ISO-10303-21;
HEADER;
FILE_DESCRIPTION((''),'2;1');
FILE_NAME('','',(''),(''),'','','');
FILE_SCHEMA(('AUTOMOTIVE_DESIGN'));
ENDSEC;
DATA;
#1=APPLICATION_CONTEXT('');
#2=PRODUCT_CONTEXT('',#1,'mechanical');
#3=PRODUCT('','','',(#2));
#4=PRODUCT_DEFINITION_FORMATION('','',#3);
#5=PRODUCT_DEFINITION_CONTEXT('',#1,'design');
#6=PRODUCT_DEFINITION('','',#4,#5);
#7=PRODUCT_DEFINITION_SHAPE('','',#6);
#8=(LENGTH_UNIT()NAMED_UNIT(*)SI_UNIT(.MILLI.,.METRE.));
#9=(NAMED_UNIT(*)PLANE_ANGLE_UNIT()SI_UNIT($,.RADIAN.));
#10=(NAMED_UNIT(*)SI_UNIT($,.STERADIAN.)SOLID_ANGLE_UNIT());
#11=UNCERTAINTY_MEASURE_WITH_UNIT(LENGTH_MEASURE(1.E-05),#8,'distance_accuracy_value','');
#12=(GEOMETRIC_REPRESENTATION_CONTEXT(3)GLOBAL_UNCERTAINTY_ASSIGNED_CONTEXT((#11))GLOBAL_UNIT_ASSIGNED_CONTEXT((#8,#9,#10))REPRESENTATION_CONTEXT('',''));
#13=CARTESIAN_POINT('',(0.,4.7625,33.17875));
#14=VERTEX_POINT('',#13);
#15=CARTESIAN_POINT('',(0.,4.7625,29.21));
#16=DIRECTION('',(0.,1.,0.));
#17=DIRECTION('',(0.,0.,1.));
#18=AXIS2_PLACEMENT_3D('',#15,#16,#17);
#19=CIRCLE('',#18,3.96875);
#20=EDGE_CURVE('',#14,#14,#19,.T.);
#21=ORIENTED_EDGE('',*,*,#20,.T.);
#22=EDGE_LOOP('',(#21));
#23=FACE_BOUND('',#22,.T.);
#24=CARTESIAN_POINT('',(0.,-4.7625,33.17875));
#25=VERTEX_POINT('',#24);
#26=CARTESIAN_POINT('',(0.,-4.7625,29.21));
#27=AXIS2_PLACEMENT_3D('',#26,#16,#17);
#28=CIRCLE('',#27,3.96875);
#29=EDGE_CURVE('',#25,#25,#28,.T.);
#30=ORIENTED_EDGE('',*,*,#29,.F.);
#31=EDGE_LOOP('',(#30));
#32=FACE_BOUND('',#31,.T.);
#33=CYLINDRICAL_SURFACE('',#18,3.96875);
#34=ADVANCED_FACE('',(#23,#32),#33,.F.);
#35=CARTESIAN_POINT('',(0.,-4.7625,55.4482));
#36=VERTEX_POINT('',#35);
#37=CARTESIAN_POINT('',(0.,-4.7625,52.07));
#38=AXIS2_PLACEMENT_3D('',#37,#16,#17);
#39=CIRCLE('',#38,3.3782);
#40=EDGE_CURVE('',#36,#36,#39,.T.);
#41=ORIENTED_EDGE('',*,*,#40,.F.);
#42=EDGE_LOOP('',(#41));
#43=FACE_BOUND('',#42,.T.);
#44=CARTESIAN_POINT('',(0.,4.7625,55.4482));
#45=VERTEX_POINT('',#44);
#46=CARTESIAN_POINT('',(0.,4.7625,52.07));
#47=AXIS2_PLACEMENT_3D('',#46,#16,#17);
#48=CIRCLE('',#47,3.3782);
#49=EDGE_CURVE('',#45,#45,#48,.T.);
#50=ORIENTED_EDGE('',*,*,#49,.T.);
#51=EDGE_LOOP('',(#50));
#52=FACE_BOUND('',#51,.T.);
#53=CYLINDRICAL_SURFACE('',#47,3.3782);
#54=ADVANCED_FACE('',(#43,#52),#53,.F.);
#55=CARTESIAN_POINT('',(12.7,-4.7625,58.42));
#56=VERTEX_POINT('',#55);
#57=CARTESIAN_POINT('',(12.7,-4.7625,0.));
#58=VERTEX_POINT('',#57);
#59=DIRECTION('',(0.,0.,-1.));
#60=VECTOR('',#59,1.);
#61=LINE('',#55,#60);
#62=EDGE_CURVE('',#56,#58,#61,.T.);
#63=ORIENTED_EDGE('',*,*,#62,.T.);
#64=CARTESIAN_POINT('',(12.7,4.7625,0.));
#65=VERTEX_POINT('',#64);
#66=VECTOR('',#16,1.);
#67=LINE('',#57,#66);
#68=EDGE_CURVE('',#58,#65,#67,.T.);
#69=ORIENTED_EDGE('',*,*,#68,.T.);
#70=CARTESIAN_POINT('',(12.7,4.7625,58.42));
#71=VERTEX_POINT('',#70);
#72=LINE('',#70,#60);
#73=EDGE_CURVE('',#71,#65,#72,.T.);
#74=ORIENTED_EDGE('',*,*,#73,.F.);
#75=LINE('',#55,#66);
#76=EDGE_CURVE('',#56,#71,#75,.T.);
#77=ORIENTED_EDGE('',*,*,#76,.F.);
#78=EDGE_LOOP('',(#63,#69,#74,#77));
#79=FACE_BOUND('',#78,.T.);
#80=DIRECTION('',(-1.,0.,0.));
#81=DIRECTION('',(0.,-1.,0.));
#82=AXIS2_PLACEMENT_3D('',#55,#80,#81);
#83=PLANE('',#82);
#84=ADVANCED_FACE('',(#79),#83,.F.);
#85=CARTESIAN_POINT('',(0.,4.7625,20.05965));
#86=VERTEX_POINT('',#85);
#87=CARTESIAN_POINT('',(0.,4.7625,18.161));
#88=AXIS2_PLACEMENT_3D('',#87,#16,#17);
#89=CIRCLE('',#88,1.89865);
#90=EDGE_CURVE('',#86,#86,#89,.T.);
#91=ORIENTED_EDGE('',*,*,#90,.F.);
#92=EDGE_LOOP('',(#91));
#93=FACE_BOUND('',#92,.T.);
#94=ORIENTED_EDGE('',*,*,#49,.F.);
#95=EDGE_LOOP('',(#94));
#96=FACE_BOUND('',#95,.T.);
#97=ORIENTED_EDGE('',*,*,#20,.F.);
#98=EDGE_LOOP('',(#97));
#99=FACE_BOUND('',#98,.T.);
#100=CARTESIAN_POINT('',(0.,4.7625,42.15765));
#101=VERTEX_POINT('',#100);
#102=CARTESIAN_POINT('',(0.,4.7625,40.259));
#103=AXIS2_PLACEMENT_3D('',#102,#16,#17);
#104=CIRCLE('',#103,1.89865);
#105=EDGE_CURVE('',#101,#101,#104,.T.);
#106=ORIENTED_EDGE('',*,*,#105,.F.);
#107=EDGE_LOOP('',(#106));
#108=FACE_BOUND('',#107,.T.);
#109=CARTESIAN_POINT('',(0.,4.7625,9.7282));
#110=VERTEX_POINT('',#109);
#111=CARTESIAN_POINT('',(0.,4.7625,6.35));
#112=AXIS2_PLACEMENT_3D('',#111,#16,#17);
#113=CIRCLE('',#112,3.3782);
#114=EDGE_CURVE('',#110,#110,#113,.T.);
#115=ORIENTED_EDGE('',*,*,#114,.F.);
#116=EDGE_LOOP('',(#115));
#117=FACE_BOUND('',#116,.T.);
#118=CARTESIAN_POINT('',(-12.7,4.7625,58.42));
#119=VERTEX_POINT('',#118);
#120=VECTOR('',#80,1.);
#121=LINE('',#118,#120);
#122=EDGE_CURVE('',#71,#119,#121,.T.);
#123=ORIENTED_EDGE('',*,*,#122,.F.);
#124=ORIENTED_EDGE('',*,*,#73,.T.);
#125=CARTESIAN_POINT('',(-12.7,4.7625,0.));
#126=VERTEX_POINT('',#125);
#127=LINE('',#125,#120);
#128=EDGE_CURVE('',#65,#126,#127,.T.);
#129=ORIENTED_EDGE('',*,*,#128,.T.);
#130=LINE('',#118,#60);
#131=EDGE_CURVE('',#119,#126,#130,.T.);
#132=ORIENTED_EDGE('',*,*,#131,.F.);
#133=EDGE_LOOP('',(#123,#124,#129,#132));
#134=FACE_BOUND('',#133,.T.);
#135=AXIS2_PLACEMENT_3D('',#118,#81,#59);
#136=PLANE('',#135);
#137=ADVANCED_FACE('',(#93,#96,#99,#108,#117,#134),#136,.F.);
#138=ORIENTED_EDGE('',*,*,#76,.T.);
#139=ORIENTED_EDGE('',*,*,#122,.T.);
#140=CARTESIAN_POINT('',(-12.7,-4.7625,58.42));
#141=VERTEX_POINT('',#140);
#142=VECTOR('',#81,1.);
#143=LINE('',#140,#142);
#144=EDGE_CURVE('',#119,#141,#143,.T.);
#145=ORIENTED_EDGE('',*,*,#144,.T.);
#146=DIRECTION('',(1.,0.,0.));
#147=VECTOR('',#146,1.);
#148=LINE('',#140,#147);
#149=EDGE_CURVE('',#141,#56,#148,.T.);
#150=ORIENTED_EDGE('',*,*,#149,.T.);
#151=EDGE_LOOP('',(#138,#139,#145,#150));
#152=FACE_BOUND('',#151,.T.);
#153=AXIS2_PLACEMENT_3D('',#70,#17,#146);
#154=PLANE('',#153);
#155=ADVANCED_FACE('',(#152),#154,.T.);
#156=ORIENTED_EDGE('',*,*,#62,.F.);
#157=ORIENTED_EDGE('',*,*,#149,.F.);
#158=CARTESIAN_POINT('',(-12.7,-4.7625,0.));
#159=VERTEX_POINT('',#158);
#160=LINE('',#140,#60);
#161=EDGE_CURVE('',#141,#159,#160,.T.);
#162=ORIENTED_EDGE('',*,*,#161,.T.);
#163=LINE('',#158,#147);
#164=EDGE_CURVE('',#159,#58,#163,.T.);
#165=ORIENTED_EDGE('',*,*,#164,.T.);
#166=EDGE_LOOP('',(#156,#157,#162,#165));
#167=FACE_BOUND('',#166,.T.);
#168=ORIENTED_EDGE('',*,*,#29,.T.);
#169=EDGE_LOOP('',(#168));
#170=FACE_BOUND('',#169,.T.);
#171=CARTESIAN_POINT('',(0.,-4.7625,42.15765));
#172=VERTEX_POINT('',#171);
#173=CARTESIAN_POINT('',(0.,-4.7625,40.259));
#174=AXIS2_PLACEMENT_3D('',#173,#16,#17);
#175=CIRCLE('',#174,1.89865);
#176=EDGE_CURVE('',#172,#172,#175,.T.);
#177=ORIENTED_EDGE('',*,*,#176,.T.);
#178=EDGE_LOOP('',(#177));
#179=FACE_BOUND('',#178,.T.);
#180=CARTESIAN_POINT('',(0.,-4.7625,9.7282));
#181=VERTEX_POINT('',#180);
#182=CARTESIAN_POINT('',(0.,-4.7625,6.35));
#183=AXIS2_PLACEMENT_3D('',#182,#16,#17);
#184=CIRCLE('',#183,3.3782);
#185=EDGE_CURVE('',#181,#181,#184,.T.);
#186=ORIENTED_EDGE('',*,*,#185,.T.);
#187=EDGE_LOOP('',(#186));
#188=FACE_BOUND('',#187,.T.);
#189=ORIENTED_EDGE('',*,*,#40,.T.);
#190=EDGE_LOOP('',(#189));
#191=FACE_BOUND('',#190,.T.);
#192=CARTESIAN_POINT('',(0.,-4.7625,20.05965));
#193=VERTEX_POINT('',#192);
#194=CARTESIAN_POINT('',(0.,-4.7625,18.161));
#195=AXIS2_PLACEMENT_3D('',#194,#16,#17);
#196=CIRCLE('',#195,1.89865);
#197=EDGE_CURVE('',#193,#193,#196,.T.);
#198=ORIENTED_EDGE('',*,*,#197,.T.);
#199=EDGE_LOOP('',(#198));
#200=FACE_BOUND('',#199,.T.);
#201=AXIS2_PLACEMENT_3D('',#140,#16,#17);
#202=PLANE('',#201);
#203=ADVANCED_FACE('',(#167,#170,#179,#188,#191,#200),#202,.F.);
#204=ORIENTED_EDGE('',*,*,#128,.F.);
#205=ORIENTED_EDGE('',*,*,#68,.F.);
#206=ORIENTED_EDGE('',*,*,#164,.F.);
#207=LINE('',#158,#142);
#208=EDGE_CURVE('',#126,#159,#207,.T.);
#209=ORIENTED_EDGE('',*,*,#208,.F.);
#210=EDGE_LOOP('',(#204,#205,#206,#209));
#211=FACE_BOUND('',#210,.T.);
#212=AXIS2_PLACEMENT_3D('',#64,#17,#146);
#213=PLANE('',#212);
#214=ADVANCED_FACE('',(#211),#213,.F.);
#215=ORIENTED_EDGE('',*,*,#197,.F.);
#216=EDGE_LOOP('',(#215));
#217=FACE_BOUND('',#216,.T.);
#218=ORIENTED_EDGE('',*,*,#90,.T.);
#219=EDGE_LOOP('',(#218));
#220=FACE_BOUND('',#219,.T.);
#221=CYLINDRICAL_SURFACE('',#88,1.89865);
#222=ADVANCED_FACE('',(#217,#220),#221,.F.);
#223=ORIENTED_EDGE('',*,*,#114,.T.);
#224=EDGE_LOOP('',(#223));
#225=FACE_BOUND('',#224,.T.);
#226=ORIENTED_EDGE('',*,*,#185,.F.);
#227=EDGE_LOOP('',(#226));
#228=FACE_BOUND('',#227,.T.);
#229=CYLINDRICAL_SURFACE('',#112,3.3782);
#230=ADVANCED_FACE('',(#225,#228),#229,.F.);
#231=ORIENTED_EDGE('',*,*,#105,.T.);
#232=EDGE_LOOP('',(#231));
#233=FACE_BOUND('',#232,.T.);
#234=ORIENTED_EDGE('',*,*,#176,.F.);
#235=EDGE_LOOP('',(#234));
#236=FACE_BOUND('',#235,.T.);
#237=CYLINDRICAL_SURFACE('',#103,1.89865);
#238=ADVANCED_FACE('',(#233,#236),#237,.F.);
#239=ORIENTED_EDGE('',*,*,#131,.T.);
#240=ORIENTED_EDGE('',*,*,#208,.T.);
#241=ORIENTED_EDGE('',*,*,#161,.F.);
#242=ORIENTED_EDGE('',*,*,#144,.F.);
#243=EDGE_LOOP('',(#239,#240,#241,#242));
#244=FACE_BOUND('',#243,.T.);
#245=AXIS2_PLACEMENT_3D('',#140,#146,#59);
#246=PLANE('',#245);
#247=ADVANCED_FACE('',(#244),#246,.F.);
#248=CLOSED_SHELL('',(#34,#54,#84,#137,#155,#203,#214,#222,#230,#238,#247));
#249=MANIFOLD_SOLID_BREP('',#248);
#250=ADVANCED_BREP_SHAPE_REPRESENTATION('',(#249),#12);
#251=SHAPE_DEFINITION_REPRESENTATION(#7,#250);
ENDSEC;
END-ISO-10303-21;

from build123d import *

# Parameters (mm, degrees)
SKETCH1_W                   = 25.4
SKETCH1_H                   = 9.525
EXTRUDE1_DEPTH              = 58.42
F_1_4_CLEARANCE_HOLE1_D     = 6.7564
F_1_4_CLEARANCE_HOLE1_DEPTH = 12.7
F_1_4_CLEARANCE_HOLE1_TIP   = 2.029827343
F_3_8_16_TAPPED_HOLE1_D     = 7.9375
F_10_24_TAPPED_HOLE1_D      = 3.7973
CIRPATTERN1_COUNT           = 2


with BuildPart() as part:
    # Sketch1 → Extrude1 (new body)
    with BuildSketch(Plane.XY):
        Rectangle(SKETCH1_W, SKETCH1_H)
    extrude(amount=EXTRUDE1_DEPTH)

    # 1/4 Clearance Hole1
    with Locations(Plane(origin=(0, 4.7625, 6.35), x_dir=(0, 0, 1), z_dir=(0, 1, 0))):
        with Locations((0, 0), (45.72, 0)):
            Hole(F_1_4_CLEARANCE_HOLE1_D / 2, depth=F_1_4_CLEARANCE_HOLE1_DEPTH)
            with Locations((0, 0, -(F_1_4_CLEARANCE_HOLE1_DEPTH + F_1_4_CLEARANCE_HOLE1_TIP / 2))):  # 118° drill point
                Cone(0, F_1_4_CLEARANCE_HOLE1_D / 2, F_1_4_CLEARANCE_HOLE1_TIP, mode=Mode.SUBTRACT)

    # 3/8-16 Tapped Hole1 (through all)
    with Locations(Plane(origin=(0, 4.7625, 29.21), x_dir=(0, 0, 1), z_dir=(0, 1, 0))):
        with Locations((0, 0)):
            Hole(F_3_8_16_TAPPED_HOLE1_D / 2)

    # #10-24 Tapped Hole1 (through all)
    with Locations(Plane(origin=(0, 4.7625, 40.259), x_dir=(0, 0, 1), z_dir=(0, 1, 0))):
        with Locations((0, 0)):
            f_10_24_tapped_hole1 = Hole(F_10_24_TAPPED_HOLE1_D / 2)

    # CirPattern1: #10-24 Tapped Hole1 ×2 about axis
    cirpattern1_axis = Axis((0, 0, 29.21), (0, 1, 0))
    for i in range(1, CIRPATTERN1_COUNT):
        add(f_10_24_tapped_hole1.rotate(cirpattern1_axis, i * 360 / CIRPATTERN1_COUNT), mode=Mode.SUBTRACT)


solid = part.part
